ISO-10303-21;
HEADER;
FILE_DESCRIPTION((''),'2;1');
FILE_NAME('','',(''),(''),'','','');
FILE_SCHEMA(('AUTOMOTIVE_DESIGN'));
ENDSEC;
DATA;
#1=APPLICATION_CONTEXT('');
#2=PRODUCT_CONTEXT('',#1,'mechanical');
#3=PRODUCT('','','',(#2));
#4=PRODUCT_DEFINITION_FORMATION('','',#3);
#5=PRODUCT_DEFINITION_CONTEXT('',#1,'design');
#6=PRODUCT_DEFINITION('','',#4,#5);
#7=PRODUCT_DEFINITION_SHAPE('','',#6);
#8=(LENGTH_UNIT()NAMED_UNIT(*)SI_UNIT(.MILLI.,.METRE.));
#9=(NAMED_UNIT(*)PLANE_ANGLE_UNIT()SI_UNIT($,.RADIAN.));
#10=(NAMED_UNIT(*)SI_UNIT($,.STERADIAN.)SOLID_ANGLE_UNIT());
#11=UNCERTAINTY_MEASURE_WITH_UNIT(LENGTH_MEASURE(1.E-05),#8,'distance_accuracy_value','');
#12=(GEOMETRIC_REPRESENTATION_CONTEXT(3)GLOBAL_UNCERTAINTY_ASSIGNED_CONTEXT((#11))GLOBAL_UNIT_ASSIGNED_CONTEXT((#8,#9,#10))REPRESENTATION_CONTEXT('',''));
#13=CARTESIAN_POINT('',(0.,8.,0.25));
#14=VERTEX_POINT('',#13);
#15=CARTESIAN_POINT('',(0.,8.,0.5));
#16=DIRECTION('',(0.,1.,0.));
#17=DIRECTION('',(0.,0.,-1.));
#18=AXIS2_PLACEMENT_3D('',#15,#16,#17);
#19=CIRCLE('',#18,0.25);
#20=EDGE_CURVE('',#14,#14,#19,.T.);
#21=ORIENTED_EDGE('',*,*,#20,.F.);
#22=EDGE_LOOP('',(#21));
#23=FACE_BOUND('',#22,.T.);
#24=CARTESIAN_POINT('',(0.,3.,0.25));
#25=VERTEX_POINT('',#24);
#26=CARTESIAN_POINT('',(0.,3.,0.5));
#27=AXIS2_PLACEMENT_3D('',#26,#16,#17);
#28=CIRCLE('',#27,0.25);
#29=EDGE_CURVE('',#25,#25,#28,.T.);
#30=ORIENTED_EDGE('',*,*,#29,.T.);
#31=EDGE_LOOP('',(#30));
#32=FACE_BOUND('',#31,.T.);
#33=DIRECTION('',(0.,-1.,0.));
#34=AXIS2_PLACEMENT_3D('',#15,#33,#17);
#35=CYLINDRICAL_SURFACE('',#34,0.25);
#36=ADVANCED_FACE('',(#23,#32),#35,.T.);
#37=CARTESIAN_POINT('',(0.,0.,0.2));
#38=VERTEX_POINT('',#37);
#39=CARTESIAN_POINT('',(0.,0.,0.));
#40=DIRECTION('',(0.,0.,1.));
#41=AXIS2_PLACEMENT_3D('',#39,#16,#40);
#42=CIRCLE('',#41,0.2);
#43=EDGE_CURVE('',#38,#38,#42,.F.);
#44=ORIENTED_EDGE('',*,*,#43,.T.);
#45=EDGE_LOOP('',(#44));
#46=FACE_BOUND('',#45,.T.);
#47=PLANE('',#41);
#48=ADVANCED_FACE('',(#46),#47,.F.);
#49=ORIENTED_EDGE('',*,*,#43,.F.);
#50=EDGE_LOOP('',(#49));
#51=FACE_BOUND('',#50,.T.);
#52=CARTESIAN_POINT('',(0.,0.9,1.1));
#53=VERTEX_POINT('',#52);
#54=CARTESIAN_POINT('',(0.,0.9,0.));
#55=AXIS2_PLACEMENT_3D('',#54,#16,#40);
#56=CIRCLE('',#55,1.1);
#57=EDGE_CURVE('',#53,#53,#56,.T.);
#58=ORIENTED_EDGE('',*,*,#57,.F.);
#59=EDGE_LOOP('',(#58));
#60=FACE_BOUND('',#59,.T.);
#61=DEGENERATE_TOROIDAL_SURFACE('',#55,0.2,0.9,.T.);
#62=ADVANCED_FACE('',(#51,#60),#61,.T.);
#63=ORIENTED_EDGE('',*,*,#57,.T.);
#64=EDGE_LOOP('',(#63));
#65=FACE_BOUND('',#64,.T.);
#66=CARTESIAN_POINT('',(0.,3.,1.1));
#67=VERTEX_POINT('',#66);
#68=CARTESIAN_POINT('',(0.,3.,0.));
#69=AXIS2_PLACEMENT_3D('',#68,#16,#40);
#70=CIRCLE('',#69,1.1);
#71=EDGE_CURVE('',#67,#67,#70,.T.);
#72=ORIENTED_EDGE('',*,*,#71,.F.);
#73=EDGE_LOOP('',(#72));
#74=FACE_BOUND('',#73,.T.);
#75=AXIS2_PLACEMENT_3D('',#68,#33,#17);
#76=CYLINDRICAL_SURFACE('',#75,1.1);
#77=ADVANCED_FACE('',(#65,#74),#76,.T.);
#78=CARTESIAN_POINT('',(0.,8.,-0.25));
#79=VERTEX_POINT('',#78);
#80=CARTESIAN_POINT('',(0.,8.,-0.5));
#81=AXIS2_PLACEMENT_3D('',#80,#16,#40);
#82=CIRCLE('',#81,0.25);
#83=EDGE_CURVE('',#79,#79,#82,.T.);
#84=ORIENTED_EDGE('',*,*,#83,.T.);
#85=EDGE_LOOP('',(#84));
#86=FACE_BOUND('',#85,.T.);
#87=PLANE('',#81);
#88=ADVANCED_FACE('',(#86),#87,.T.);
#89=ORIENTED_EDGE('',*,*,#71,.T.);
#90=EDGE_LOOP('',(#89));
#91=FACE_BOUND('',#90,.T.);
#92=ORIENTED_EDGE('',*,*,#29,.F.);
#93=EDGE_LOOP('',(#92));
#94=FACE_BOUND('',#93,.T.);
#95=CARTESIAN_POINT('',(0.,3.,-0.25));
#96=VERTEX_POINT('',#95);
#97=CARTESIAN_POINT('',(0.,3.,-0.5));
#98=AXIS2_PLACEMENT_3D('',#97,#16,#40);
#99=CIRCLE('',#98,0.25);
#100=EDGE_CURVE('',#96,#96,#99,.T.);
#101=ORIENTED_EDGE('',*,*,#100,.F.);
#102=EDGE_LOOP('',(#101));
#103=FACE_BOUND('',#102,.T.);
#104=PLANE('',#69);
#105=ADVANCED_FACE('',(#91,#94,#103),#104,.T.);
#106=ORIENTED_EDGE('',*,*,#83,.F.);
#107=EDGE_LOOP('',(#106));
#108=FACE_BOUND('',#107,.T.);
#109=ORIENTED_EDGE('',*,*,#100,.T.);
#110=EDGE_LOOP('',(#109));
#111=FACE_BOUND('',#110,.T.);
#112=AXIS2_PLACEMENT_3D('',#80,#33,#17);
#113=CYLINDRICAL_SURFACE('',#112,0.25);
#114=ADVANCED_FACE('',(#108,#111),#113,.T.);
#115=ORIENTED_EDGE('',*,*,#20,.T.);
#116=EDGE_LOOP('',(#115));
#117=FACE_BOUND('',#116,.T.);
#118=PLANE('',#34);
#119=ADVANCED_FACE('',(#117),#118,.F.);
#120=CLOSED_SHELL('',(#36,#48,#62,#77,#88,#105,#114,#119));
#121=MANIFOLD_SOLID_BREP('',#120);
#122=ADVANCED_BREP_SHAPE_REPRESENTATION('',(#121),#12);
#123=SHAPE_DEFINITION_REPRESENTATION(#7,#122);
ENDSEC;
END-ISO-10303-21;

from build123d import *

# Parameters (mm, degrees)
SKETCH_1_R      = 1.1
EXTRUDE_1_DEPTH = 3
FILLET_1_R      = 0.9
SKETCH_2_R      = 0.25
EXTRUDE_2_DEPTH = 5


with BuildPart() as part:
    # 草图1 → 拉伸1 (new body)
    with BuildSketch(Plane(origin=(0, 0, 0), x_dir=(1, 0, 0), z_dir=(0, 1, 0))):
        with Locations(Location((0, 0, 0), (0, 0, 270))):
            Circle(SKETCH_1_R)
    extrude(amount=EXTRUDE_1_DEPTH)

    # 圆角1
    fillet_1_edges = [part.edges().sort_by_distance(p)[0] for p in [
        (0, 0, -1.1),
    ]]
    fillet(fillet_1_edges, radius=FILLET_1_R)

    # 草图2 → 拉伸2 (add)
    with BuildSketch(Plane(origin=(0, 3, 0), x_dir=(-1, 0, 0), z_dir=(0, 1, 0))):
        with Locations(Location((0, -0.5, 0), (0, 0, 90))):
            Circle(SKETCH_2_R)
        with Locations(Location((0, 0.5, 0), (0, 0, 270))):
            Circle(SKETCH_2_R)
    extrude(amount=EXTRUDE_2_DEPTH)


solid = part.part
